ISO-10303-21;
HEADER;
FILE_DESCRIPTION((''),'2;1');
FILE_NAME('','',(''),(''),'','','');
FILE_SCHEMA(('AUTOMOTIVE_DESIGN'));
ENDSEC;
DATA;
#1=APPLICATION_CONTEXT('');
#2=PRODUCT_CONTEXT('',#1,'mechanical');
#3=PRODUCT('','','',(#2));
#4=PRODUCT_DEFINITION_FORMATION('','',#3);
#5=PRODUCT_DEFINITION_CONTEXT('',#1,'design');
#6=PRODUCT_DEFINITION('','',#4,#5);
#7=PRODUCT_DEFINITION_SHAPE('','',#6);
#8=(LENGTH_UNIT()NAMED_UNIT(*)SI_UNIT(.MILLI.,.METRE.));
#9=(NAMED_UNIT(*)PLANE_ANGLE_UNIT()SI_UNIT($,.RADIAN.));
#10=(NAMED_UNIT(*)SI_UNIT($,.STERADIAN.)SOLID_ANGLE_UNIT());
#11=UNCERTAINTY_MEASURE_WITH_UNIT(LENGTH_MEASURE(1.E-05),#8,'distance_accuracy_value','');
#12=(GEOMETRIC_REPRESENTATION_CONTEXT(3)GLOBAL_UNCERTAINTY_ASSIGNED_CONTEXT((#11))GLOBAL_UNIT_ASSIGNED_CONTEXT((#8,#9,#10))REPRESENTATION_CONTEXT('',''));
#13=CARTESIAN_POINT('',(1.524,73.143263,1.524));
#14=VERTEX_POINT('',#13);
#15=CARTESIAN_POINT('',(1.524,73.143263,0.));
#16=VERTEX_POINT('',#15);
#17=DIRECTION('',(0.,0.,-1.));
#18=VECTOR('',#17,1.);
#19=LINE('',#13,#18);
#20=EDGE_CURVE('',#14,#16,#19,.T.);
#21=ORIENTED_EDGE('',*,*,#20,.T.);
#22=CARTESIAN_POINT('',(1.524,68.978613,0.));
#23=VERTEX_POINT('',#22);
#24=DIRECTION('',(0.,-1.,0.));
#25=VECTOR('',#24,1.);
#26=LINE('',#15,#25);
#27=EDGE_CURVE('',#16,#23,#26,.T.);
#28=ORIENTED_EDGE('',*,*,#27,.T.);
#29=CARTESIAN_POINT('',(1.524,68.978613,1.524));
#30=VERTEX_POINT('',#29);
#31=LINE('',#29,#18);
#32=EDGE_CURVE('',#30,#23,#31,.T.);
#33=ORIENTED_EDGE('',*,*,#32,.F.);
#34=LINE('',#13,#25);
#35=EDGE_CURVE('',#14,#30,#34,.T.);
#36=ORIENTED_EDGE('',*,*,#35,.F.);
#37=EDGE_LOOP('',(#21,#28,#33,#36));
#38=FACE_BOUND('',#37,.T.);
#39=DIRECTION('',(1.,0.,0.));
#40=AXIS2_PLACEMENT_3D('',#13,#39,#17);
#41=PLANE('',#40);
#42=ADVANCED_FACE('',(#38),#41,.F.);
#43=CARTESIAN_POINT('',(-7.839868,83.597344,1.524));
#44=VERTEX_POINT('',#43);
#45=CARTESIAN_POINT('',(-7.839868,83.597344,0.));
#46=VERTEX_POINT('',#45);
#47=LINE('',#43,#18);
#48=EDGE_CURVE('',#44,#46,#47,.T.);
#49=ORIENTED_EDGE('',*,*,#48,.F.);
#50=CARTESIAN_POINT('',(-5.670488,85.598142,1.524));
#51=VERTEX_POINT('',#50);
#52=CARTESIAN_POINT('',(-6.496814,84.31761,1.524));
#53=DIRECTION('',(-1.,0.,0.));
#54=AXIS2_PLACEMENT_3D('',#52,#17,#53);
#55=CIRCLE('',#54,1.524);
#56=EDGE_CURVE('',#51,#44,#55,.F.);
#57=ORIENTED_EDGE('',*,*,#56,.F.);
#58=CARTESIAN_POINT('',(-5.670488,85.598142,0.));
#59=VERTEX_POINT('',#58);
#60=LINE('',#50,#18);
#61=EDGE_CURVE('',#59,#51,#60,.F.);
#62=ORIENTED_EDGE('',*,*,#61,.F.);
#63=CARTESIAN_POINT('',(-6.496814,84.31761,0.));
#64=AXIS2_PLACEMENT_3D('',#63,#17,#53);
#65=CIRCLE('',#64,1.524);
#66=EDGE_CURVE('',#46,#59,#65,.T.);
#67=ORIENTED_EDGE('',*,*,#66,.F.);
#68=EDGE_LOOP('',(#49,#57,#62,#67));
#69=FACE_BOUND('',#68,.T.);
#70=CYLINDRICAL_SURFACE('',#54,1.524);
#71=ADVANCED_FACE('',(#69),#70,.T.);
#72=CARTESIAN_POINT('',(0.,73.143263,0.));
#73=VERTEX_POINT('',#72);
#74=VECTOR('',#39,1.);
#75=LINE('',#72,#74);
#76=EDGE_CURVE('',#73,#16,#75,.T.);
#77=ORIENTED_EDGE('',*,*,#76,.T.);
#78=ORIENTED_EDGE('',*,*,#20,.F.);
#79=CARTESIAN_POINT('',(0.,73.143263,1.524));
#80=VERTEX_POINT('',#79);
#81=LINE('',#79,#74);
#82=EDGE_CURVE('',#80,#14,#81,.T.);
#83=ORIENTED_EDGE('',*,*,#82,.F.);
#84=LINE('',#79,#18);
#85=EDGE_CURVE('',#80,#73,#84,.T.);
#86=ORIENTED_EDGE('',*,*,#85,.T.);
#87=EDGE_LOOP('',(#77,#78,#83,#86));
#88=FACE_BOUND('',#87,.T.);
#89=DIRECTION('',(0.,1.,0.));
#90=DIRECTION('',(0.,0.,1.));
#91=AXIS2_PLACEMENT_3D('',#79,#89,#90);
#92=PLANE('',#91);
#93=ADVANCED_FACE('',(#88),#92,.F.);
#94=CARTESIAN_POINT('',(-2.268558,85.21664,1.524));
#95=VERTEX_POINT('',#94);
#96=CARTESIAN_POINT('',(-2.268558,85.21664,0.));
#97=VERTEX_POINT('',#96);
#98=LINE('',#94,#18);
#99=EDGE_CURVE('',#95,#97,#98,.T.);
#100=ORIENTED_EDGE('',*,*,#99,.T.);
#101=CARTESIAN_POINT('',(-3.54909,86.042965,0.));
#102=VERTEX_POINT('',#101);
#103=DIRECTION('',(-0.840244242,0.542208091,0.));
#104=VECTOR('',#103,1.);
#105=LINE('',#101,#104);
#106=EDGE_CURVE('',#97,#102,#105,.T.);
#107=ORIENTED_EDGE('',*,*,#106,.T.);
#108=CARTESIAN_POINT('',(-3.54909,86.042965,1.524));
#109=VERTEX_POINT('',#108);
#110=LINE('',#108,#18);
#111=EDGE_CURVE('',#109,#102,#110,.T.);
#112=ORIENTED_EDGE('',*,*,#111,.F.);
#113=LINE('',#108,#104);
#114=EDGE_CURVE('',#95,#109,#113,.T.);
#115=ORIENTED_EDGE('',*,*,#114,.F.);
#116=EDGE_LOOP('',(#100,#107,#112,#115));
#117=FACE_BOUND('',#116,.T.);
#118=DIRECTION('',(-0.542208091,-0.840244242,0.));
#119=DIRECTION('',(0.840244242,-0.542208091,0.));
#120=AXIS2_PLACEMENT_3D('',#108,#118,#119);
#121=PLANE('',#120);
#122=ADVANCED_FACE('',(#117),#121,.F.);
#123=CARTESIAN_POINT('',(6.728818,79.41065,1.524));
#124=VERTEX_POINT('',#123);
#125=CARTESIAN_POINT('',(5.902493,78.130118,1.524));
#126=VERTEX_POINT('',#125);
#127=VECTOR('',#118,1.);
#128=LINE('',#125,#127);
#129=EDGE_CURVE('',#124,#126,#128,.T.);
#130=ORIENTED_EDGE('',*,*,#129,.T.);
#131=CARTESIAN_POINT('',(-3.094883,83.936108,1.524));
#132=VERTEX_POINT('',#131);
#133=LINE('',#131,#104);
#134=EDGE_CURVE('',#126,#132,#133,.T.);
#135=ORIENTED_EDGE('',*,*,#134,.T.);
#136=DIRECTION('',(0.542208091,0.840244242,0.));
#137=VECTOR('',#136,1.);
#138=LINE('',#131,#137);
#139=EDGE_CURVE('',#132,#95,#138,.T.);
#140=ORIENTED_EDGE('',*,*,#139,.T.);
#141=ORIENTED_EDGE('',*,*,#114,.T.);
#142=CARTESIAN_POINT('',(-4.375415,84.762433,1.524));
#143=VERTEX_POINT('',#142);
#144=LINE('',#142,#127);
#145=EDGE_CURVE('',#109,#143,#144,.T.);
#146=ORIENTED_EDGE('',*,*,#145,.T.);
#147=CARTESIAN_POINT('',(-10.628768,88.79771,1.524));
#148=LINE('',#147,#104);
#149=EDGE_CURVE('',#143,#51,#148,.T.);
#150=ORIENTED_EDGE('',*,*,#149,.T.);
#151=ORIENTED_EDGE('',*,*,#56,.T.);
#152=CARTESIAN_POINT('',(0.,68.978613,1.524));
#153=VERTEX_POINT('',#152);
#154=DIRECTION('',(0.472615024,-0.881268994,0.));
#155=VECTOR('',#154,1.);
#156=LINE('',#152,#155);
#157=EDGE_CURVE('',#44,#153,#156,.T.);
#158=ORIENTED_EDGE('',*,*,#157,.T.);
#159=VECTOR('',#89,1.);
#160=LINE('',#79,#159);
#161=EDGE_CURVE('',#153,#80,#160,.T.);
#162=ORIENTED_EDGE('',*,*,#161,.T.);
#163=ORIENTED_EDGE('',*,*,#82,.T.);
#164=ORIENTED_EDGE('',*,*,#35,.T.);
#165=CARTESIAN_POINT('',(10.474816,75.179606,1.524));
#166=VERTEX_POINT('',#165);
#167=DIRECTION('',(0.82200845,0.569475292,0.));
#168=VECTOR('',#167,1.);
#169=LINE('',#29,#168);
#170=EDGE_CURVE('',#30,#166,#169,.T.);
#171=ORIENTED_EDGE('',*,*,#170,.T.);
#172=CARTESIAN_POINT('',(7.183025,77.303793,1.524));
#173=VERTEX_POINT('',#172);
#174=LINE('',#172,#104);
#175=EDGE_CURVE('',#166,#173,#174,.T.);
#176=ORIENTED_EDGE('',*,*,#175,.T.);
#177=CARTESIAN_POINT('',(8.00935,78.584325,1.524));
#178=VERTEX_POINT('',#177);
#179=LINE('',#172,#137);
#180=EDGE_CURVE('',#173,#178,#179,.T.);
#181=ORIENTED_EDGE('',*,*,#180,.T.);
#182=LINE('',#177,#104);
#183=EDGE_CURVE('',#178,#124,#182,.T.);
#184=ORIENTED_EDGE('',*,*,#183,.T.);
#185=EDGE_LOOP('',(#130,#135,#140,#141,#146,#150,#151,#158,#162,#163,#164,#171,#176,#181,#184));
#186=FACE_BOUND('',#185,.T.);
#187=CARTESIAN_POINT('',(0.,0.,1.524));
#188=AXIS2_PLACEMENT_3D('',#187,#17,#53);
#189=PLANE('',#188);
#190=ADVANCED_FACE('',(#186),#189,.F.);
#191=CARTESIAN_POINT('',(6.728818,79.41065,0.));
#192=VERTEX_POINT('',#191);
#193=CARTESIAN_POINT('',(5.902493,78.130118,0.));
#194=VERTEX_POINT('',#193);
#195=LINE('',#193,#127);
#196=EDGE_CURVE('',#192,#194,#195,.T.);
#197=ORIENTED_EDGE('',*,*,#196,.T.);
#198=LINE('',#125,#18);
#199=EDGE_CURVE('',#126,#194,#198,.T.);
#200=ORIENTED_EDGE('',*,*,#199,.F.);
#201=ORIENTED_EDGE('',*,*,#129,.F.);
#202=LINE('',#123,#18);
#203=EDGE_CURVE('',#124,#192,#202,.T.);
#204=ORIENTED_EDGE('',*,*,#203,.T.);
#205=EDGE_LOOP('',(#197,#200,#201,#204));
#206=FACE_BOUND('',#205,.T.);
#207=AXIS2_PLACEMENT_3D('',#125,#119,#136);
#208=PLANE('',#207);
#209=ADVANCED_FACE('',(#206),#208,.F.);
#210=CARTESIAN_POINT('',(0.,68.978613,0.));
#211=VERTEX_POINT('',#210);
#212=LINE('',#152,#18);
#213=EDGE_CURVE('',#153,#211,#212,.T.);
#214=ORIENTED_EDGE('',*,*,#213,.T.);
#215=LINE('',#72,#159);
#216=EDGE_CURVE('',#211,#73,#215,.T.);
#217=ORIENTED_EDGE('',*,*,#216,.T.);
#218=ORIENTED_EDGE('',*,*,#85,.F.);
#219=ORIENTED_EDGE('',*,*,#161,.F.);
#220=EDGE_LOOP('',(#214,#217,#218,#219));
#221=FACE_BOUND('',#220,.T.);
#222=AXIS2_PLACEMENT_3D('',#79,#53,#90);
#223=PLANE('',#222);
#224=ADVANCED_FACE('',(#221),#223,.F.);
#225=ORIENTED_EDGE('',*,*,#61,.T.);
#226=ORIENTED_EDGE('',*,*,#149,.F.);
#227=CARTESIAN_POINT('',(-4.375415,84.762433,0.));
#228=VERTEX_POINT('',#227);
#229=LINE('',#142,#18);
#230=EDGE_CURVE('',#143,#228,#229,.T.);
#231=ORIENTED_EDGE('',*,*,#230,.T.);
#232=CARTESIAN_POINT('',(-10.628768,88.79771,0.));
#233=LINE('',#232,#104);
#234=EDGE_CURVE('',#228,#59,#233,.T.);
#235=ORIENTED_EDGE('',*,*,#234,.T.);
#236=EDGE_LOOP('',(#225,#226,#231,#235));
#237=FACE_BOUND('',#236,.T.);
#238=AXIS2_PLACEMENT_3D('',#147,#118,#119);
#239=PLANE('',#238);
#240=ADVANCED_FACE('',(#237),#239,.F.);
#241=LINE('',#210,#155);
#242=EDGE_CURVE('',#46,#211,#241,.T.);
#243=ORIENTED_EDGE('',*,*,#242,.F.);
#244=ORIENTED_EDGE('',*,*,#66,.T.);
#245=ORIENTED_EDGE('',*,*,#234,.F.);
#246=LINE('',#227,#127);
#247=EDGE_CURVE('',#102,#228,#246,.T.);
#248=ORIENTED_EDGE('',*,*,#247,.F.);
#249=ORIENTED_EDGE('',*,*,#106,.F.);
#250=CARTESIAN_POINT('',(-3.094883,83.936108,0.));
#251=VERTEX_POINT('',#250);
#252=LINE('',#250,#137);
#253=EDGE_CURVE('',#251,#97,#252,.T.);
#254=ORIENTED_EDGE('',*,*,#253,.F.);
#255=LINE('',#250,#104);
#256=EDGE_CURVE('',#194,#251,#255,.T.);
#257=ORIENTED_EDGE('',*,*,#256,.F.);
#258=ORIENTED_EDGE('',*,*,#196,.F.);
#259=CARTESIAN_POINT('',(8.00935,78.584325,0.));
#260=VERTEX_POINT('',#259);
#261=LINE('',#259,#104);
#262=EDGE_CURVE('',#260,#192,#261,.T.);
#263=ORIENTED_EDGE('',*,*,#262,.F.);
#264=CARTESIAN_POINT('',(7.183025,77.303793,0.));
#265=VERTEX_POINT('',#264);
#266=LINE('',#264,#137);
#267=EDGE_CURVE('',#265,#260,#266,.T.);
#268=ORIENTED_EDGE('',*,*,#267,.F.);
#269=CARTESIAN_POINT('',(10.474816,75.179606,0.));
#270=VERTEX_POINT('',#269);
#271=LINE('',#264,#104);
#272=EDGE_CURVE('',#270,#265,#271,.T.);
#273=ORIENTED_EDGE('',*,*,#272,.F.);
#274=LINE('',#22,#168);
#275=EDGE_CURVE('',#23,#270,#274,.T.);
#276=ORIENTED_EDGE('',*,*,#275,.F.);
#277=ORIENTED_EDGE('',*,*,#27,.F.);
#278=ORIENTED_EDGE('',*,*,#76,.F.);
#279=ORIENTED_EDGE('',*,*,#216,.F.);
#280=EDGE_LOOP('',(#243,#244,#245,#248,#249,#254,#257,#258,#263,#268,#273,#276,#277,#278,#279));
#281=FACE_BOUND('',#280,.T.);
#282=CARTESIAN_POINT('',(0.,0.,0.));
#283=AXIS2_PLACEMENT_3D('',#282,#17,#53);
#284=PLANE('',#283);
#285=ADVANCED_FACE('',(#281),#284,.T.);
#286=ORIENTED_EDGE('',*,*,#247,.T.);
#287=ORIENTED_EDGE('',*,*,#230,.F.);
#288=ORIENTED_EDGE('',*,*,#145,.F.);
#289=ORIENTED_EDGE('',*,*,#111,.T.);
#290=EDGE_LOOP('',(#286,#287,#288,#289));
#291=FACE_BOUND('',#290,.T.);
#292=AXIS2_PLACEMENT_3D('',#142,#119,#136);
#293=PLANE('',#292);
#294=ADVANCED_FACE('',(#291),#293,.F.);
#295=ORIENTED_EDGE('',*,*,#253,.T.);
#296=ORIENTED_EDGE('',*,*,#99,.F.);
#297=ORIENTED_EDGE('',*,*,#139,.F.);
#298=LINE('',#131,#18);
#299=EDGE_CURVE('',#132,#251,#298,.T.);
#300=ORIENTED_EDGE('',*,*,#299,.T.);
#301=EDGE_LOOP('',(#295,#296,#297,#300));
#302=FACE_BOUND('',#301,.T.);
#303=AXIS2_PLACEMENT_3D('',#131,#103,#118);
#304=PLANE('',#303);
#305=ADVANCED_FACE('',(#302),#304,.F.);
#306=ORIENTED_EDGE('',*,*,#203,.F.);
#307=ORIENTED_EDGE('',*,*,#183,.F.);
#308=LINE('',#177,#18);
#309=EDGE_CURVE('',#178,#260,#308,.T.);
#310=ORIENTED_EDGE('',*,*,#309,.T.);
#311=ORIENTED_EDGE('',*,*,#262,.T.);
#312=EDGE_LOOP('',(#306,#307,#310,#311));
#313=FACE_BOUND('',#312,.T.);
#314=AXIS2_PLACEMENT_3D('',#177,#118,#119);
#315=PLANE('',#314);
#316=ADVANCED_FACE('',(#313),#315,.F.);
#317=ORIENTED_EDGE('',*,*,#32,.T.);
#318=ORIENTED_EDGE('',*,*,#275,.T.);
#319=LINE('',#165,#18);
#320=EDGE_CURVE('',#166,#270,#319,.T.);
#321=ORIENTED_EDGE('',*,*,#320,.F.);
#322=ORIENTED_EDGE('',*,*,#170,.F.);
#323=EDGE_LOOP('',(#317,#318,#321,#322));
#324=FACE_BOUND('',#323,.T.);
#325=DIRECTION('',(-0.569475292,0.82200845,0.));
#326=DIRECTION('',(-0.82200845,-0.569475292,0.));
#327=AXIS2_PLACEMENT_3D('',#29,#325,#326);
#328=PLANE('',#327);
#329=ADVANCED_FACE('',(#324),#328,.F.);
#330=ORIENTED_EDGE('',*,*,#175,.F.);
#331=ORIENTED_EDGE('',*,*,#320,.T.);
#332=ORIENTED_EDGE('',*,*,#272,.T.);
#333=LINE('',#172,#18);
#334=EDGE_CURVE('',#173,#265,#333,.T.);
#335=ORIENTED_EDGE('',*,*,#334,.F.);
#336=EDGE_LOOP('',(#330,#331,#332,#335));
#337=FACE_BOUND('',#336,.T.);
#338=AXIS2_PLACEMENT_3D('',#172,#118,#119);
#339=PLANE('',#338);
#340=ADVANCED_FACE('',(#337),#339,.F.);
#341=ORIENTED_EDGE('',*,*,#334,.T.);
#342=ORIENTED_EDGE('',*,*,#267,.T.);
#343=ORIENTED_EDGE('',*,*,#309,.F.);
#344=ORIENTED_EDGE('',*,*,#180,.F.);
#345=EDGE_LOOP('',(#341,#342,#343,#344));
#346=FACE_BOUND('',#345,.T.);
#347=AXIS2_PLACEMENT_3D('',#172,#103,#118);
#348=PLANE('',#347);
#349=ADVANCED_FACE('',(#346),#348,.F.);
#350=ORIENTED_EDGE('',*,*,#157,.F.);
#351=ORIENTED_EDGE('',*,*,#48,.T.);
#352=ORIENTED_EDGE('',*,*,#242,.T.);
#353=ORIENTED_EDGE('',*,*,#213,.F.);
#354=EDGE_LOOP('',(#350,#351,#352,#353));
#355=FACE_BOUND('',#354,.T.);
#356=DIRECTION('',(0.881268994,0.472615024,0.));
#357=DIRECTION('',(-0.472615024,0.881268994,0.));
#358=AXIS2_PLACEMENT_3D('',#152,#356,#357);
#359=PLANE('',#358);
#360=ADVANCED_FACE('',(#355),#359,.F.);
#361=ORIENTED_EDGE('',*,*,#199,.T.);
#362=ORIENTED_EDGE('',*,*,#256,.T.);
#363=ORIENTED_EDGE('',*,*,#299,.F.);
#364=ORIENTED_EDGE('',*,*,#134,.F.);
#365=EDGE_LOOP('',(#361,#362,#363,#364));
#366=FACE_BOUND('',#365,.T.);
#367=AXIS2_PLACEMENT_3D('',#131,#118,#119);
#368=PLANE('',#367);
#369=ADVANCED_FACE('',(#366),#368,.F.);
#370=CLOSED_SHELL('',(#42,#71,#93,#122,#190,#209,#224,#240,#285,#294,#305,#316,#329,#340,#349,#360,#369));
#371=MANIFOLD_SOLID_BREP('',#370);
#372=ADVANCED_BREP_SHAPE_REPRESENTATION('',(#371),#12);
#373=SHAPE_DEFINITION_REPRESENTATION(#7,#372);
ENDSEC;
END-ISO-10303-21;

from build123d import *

# Parameters (mm, degrees)
BOSS_EXTRUDE1_DEPTH = 1.524
FILLET1_R           = 1.524


with BuildPart() as part:
    # Sketch1 → Boss-Extrude1 (new body)
    with BuildSketch(Plane.XY):
        Polygon((0, 73.143262765), (1.524, 73.143262765), (1.524, 68.978612676), (10.474816324, 75.179605793), (7.183025054, 77.303792749), (8.009350184, 78.584324974), (6.728817959, 79.410650105), (5.902492829, 78.13011788), (-3.0948828, 83.93610811), (-2.26855767, 85.216640335), (-3.549089895, 86.042965466), (-4.375415025, 84.762433241), (-10.628767588, 88.797710347), (0, 68.978612676), align=None)
    extrude(amount=BOSS_EXTRUDE1_DEPTH)

    # Fillet1
    fillet1_edges = [part.edges().sort_by_distance(p)[0] for p in [
        (-10.628767588, 88.797710347, 0.762),
    ]]
    fillet(fillet1_edges, radius=FILLET1_R)


solid = part.part
